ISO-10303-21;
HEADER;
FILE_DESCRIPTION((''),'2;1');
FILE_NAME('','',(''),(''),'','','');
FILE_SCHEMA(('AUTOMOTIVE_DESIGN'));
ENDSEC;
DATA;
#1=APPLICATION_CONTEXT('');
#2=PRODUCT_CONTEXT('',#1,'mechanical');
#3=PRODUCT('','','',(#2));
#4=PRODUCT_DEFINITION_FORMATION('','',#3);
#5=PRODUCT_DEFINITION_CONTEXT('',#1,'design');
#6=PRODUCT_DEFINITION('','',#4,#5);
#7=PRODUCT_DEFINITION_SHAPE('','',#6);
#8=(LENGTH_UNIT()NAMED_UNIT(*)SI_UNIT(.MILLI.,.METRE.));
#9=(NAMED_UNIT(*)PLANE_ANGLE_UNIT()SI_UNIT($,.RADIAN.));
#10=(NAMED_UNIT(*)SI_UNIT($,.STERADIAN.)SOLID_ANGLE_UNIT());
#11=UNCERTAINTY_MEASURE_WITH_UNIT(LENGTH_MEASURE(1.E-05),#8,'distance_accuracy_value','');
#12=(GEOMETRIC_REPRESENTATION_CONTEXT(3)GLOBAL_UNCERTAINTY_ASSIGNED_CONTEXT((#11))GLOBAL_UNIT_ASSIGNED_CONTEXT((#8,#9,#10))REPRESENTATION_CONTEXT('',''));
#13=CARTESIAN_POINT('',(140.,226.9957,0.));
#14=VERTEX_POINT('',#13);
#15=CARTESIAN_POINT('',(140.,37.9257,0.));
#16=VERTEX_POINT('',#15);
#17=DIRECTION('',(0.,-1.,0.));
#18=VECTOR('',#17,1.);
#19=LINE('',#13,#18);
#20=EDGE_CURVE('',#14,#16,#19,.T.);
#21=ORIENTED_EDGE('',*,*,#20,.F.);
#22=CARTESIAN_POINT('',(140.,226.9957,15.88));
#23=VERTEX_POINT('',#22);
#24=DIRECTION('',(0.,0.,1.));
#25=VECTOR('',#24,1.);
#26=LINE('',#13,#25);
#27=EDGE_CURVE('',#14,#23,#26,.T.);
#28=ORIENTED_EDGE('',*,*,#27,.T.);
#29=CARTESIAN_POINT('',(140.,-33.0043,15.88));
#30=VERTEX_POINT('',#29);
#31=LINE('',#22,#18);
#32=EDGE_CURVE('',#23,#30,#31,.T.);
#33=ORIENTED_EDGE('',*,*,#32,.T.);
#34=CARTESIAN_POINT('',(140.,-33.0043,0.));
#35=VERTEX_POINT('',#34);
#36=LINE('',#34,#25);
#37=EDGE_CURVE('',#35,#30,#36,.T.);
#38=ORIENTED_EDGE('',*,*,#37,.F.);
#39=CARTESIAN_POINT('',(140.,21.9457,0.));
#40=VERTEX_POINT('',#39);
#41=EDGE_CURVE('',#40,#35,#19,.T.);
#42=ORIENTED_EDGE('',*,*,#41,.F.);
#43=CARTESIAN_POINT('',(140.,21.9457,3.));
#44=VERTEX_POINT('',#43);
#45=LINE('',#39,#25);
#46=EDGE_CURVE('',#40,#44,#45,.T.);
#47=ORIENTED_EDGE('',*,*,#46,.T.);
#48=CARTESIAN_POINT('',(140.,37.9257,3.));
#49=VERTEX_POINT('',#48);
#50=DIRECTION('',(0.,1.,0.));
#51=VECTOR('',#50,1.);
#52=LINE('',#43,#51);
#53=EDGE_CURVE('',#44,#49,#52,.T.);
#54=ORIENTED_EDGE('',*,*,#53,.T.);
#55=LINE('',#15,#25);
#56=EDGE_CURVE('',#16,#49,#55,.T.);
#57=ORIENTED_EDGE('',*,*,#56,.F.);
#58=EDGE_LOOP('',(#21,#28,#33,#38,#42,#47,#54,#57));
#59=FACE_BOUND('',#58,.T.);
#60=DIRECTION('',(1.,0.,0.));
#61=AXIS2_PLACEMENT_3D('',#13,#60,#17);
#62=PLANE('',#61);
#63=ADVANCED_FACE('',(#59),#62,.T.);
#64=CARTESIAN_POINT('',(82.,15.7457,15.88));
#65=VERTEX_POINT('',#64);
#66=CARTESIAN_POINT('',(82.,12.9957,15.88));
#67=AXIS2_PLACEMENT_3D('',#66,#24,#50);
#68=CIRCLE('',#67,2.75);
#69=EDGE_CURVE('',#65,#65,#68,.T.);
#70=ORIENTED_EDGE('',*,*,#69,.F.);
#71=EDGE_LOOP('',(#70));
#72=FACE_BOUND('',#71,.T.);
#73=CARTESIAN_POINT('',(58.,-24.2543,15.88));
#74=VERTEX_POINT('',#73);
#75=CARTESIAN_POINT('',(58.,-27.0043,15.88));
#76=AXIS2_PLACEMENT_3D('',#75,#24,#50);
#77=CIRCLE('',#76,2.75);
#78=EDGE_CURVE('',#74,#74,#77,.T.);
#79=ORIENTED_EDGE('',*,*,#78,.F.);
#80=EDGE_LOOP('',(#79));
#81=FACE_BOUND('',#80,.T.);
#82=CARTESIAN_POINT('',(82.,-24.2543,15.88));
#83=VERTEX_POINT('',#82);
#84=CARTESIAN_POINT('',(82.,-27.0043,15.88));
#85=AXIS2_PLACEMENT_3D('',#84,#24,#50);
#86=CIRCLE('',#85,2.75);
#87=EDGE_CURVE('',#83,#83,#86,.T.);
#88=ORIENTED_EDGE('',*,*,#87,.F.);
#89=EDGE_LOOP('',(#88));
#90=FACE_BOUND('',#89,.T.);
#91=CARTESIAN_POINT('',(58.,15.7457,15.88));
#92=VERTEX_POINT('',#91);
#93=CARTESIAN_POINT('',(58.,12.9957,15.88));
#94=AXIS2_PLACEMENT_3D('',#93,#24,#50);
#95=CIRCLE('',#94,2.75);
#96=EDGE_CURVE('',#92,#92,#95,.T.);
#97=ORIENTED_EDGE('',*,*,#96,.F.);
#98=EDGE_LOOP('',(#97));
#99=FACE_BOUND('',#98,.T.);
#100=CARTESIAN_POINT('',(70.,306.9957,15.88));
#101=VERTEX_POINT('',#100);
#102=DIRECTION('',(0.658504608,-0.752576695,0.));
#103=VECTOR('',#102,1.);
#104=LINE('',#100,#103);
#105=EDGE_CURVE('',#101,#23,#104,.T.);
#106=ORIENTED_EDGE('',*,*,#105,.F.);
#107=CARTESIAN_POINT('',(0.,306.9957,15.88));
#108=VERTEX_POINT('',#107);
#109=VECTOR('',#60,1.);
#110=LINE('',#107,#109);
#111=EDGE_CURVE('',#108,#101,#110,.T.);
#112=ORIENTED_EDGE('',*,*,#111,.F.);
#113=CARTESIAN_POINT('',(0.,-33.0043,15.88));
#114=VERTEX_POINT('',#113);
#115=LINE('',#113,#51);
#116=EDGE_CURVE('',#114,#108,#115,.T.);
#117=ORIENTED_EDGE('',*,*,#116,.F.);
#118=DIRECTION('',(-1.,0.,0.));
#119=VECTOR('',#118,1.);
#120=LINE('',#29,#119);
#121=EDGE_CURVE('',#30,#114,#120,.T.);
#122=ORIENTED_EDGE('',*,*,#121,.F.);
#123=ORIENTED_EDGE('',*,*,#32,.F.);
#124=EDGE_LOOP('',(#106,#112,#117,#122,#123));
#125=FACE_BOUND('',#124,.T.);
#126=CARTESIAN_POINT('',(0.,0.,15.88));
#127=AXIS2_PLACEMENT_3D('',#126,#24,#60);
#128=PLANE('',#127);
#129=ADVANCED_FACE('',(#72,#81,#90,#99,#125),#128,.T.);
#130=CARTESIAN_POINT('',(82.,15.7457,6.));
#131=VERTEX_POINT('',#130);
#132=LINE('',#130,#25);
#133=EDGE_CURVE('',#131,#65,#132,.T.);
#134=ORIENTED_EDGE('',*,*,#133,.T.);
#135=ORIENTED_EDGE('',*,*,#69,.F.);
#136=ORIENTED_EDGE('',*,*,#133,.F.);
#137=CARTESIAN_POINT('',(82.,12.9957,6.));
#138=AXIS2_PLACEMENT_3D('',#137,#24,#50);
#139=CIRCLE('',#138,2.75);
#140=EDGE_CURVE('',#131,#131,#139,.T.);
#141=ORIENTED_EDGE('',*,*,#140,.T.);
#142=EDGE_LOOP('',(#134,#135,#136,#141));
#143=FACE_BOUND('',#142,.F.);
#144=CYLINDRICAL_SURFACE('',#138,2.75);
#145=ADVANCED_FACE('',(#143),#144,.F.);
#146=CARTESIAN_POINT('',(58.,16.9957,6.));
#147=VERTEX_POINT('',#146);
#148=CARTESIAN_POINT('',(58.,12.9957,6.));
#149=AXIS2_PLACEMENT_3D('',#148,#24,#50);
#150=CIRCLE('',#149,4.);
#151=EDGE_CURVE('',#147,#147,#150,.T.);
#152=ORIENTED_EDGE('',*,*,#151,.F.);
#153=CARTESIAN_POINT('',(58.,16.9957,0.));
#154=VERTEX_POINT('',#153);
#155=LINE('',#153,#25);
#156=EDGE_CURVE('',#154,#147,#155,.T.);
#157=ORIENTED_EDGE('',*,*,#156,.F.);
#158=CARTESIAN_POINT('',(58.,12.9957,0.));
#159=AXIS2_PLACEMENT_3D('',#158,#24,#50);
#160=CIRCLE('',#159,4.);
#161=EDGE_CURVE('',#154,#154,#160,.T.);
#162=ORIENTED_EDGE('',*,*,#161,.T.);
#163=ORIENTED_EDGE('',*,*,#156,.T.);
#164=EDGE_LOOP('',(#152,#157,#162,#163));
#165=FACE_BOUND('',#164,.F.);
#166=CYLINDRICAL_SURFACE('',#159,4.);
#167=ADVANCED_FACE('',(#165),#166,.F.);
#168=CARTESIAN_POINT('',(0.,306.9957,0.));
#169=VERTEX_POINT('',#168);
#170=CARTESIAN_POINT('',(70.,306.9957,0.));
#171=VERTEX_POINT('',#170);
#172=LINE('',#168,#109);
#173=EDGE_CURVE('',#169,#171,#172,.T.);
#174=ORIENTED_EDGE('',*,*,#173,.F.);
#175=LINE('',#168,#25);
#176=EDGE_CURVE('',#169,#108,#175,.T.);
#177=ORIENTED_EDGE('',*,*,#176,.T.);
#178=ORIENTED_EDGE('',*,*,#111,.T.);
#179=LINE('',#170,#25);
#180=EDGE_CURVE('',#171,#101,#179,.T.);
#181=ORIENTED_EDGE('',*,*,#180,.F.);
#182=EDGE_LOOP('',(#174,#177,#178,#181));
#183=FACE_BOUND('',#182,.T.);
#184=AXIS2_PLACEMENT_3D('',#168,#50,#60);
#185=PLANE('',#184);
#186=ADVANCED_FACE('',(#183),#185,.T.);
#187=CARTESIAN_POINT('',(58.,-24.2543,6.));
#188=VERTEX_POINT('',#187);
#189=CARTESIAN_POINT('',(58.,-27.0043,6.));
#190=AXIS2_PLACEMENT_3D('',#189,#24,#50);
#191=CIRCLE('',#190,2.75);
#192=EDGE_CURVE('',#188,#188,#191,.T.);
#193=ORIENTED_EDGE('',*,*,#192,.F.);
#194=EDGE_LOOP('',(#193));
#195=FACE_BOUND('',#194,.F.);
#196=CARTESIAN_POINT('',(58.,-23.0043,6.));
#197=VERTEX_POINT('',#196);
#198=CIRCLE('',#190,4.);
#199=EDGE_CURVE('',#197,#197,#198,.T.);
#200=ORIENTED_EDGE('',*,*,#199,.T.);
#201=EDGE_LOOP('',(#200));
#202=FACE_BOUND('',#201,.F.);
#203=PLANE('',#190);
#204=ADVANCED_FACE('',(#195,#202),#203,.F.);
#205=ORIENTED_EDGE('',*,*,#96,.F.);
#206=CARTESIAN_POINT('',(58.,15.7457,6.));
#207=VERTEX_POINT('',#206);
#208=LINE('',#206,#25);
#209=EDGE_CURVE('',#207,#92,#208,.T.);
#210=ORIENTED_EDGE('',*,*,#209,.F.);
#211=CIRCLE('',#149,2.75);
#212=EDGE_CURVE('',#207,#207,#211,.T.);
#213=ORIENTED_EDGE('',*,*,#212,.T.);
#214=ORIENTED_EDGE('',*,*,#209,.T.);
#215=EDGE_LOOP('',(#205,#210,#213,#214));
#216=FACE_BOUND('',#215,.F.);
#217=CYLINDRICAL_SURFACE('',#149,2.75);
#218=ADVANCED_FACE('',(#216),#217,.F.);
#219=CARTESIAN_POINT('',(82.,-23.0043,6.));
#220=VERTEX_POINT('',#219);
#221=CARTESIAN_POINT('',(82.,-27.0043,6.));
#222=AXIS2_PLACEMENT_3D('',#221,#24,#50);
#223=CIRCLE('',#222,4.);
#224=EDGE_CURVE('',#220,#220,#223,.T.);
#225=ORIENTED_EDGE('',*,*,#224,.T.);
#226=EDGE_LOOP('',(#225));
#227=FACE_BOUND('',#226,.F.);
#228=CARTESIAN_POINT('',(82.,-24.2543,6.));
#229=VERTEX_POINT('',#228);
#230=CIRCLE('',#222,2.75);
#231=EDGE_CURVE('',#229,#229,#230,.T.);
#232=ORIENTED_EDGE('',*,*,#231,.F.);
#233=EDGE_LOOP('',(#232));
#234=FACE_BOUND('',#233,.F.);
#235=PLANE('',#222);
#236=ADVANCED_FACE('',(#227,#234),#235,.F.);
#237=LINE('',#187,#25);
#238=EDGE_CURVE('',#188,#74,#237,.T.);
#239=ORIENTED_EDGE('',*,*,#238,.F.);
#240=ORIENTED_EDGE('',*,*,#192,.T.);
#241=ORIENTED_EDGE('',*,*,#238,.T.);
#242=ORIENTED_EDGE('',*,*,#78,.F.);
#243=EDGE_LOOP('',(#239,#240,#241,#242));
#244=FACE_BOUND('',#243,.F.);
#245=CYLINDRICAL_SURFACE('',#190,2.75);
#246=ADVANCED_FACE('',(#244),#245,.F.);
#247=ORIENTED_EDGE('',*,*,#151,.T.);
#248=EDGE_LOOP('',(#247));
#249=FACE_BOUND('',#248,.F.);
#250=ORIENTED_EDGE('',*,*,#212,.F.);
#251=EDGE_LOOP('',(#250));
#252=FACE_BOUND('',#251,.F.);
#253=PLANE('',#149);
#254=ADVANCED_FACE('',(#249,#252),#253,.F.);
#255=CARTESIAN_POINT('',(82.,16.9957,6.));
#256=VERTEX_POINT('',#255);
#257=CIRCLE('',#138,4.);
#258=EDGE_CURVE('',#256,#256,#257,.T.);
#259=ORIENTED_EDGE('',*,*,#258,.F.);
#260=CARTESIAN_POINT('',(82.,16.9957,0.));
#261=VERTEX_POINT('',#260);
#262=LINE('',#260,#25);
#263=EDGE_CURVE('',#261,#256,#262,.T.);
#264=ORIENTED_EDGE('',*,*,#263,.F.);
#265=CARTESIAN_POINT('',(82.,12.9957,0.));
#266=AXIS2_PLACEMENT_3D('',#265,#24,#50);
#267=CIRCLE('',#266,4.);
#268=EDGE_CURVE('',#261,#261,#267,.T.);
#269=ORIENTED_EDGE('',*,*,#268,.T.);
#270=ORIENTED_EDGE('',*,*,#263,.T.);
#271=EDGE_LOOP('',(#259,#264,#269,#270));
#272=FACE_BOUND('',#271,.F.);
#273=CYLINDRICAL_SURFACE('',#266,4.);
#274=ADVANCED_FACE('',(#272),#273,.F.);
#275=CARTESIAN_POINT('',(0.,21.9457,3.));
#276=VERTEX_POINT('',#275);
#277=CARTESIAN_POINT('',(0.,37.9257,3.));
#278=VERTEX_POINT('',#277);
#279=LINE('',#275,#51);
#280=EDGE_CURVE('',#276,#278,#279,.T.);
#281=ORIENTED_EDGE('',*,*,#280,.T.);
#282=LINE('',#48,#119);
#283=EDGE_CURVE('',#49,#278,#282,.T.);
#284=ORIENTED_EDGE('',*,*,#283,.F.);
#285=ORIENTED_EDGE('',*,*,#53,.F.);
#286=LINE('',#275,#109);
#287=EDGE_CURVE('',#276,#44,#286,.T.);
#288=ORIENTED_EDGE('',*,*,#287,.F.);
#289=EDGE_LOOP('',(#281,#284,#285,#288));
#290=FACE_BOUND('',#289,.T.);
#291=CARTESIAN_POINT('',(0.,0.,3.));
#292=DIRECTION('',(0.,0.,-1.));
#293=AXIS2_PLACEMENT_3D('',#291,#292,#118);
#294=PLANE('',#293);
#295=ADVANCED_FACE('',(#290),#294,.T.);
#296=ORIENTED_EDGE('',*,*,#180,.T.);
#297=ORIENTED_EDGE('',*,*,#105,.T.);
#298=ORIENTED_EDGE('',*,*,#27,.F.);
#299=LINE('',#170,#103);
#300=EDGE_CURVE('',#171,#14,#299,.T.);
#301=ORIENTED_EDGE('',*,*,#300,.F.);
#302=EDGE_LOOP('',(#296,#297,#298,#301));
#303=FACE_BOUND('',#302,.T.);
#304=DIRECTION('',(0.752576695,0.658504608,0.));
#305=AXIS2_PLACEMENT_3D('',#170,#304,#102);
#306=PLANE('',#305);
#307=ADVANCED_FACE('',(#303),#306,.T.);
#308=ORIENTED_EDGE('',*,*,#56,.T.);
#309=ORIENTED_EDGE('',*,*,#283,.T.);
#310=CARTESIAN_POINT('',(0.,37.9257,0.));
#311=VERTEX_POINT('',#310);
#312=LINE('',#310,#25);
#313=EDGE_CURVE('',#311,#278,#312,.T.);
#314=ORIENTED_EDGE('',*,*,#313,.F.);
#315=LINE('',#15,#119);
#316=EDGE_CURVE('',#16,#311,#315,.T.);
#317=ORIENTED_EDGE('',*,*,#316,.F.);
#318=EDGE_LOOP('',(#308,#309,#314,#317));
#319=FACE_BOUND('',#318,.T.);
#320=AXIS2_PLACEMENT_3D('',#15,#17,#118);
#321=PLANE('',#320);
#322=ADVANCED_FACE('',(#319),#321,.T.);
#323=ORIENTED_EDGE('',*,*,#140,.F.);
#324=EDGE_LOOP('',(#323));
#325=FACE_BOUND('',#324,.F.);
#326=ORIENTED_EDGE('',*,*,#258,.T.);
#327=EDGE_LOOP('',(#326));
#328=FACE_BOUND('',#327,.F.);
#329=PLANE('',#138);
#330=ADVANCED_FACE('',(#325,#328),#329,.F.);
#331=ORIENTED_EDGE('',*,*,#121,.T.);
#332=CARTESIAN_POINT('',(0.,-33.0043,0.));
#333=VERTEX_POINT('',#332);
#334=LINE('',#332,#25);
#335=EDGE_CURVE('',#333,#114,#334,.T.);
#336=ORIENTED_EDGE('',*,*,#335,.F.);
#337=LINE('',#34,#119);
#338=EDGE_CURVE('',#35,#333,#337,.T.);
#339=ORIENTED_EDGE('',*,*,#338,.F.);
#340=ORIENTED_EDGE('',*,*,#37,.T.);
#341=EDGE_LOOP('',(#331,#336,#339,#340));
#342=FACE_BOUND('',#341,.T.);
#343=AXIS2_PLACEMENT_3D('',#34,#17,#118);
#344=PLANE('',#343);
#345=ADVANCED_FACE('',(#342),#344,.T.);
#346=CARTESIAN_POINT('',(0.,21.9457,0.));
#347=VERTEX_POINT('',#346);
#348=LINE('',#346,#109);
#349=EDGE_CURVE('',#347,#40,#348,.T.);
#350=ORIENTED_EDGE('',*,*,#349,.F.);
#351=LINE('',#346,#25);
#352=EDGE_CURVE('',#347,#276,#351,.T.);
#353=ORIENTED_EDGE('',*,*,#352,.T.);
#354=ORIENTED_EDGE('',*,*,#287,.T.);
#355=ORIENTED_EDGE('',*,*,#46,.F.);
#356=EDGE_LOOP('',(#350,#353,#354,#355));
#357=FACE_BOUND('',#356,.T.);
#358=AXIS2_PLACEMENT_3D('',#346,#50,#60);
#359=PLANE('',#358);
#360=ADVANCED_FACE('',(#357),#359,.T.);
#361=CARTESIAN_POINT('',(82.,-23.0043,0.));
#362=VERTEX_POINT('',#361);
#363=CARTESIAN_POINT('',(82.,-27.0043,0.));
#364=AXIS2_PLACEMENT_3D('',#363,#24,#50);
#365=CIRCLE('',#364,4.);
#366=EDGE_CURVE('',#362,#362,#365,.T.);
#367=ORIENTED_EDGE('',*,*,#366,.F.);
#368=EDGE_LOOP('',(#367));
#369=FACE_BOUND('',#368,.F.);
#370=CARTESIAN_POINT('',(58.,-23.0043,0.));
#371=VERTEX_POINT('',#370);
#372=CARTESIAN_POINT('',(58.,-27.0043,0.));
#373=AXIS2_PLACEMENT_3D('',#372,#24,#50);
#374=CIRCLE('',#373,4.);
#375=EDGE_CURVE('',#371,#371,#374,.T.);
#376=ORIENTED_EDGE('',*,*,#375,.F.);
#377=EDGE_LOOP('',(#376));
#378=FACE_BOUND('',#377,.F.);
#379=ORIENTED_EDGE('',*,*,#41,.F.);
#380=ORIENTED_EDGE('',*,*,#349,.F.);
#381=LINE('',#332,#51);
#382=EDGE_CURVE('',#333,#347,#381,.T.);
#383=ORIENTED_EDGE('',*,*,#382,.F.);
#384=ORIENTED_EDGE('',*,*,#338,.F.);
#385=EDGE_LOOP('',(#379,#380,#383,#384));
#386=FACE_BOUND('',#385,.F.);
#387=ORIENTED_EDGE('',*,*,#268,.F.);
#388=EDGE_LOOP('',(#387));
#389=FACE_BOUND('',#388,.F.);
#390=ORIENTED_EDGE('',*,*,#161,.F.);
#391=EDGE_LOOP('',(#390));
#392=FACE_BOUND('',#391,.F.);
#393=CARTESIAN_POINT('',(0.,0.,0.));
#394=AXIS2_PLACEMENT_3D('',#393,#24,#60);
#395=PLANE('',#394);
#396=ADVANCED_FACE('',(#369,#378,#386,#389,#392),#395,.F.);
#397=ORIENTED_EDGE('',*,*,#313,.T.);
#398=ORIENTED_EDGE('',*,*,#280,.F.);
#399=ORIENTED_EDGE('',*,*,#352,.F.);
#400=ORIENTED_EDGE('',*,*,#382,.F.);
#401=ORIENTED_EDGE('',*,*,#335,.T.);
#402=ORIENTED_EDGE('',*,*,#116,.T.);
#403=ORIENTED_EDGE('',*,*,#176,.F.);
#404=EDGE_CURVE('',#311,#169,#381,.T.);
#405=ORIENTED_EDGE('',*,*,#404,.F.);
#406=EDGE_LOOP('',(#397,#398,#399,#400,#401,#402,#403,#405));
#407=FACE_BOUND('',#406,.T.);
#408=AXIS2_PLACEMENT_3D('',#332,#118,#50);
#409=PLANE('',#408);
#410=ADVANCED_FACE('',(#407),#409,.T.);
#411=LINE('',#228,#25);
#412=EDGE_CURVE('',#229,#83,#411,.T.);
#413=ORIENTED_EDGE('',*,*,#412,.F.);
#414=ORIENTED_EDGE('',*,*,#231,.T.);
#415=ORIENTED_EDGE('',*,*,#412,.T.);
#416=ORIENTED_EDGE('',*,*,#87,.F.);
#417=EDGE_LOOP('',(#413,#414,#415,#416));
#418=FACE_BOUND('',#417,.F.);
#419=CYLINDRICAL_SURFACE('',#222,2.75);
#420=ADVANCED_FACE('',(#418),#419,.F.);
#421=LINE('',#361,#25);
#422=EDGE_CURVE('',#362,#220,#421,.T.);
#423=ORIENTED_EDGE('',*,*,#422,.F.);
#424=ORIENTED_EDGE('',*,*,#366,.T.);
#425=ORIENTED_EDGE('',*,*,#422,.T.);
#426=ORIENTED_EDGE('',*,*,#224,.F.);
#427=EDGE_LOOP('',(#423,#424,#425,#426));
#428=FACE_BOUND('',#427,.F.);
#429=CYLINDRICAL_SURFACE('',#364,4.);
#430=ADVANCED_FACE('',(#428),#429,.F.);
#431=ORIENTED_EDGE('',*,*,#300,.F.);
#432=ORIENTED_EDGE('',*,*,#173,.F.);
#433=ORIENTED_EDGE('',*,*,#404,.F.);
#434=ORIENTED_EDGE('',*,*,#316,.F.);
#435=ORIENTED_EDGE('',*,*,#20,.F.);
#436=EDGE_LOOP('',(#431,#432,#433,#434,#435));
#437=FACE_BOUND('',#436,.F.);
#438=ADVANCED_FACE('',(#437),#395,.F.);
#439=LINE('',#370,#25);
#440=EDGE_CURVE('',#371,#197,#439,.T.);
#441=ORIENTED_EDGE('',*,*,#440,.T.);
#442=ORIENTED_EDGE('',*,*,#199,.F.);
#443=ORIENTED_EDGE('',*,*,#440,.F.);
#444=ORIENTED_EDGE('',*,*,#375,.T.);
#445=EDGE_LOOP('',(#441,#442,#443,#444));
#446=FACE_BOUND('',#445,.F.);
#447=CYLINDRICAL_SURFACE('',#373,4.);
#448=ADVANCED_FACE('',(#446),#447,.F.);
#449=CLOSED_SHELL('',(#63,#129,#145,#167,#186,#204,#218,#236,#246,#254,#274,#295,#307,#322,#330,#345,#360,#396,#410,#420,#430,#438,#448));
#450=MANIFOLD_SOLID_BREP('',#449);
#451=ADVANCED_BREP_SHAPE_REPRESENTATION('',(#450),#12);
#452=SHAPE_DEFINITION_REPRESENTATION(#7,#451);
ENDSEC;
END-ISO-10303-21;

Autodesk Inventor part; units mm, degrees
ref_plane "YZ Plane" through (0, 0, 0) normal (1, 0, 0) x (0, 1, 0)
ref_plane "XZ Plane" through (0, 0, 0) normal (0, 1, 0) x (-1, 0, 0)
ref_plane "XY Plane" through (0, 0, 0) normal (0, 0, 1) x (1, 0, 0)
sketch "Esboço1" plane through (0, 0, 0) normal (0, 0, 1) x (1, 0, 0)
  line L0 (0, 306.9957) -> (70, 306.9957)
  line L1 (140, 226.9957) -> (140, -33.0043)
  line L2 (140, -33.0043) -> (0, -33.0043)
  line L3 (0, -33.0043) -> (0, 306.9957)
  line L4 (70, 306.9957) -> (140, 226.9957)
  dimension "d0" = 140
  dimension "d1" = 340
  dimension "d2" = 70
  dimension "d3" = 260
extrude "Extrusão1" add sketch "Esboço1" along normal blind 15.88
sketch "Esboço3" plane through (0, 0, 0) normal (0, 0, -1) x (-1, 0, 0)
  line L0 (0, 21.9457) -> (-140, 21.9457)
  line L1 (0, 21.9457) -> (0, 37.9257)
  line L2 (-140, 37.9257) -> (0, 37.9257)
  line L3 (-140, 21.9457) -> (-140, 37.9257)
  line L4 (-140, -33.0043) -> (-140, 226.9957) construction
  line L5 (-140, 29.9357) -> (0, 29.9357) construction
  point P0 (0, 0)
  dimension "d11" = 15.98
extrude "Extrusão3" cut sketch "Esboço3" against normal blind 3
sketch "Esboço4" plane through (0, 0, 0) normal (0, 0, -1) x (-1, 0, 0)
  circle A0 centre (-82, 12.9957) radius 2.1
  circle A1 centre (-82, 12.9957) radius 2.1
  circle A2 centre (-58, 12.9957) radius 2.1
  circle A3 centre (-58, -27.0043) radius 2.1
  circle A4 centre (-82, -27.0043) radius 2.1
  point P0 (0, 0)
hole "Furo1" at (82, 12.9957, 0) at (82, 12.9957, 0) at (58, 12.9957, 0) at (58, -27.0043, 0) at (82, -27.0043, 0) direction (0, 0, 1) diameter 5.5 end through all counterbore diameter 8 counterbore depth 6
properties part number "LATERAL_BLOCOS_BASE"
